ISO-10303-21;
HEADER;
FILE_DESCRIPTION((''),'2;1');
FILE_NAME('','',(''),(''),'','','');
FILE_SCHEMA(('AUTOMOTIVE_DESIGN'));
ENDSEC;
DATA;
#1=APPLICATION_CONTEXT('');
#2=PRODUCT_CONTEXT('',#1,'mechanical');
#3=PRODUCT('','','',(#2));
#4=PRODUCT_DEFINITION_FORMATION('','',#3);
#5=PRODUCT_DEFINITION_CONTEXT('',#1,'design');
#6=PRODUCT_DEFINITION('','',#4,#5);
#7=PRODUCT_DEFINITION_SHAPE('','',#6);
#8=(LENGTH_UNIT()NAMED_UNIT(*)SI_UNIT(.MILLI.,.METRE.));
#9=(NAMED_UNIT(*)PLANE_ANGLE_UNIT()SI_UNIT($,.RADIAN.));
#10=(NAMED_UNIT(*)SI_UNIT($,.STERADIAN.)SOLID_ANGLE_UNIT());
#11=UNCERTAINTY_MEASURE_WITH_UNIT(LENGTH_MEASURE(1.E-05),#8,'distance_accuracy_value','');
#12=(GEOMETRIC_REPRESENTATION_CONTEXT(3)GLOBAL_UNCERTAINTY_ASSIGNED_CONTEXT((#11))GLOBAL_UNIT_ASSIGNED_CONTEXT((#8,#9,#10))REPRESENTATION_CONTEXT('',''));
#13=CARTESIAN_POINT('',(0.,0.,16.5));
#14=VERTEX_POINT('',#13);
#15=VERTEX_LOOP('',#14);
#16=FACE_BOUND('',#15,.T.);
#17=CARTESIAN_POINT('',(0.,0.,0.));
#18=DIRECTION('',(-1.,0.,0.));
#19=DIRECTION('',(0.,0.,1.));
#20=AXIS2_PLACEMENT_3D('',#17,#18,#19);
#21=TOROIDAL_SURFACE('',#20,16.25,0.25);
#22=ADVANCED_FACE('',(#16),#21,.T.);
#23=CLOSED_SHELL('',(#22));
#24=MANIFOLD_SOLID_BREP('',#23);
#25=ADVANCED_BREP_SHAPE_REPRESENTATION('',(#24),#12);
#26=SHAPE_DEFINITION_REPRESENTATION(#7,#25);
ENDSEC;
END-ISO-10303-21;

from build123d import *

# Parameters (mm, degrees)
CROQUIS1_R = 0.25


with BuildPart() as part:
    # Croquis1 → Revolución1 (revolve)
    with BuildSketch(Plane(origin=(0, 0, 0), x_dir=(1, 0, 0), z_dir=(0, 1, 0)), mode=Mode.PRIVATE) as revoluci_n1_sk:
        with Locations((0, 16.25)):
            Circle(CROQUIS1_R)
    revolve(revoluci_n1_sk.sketch.rotate(Axis((0, 0, 0), (1, 0, 0)), 180), axis=Axis((0, 0, 0), (1, 0, 0)))


solid = part.part
